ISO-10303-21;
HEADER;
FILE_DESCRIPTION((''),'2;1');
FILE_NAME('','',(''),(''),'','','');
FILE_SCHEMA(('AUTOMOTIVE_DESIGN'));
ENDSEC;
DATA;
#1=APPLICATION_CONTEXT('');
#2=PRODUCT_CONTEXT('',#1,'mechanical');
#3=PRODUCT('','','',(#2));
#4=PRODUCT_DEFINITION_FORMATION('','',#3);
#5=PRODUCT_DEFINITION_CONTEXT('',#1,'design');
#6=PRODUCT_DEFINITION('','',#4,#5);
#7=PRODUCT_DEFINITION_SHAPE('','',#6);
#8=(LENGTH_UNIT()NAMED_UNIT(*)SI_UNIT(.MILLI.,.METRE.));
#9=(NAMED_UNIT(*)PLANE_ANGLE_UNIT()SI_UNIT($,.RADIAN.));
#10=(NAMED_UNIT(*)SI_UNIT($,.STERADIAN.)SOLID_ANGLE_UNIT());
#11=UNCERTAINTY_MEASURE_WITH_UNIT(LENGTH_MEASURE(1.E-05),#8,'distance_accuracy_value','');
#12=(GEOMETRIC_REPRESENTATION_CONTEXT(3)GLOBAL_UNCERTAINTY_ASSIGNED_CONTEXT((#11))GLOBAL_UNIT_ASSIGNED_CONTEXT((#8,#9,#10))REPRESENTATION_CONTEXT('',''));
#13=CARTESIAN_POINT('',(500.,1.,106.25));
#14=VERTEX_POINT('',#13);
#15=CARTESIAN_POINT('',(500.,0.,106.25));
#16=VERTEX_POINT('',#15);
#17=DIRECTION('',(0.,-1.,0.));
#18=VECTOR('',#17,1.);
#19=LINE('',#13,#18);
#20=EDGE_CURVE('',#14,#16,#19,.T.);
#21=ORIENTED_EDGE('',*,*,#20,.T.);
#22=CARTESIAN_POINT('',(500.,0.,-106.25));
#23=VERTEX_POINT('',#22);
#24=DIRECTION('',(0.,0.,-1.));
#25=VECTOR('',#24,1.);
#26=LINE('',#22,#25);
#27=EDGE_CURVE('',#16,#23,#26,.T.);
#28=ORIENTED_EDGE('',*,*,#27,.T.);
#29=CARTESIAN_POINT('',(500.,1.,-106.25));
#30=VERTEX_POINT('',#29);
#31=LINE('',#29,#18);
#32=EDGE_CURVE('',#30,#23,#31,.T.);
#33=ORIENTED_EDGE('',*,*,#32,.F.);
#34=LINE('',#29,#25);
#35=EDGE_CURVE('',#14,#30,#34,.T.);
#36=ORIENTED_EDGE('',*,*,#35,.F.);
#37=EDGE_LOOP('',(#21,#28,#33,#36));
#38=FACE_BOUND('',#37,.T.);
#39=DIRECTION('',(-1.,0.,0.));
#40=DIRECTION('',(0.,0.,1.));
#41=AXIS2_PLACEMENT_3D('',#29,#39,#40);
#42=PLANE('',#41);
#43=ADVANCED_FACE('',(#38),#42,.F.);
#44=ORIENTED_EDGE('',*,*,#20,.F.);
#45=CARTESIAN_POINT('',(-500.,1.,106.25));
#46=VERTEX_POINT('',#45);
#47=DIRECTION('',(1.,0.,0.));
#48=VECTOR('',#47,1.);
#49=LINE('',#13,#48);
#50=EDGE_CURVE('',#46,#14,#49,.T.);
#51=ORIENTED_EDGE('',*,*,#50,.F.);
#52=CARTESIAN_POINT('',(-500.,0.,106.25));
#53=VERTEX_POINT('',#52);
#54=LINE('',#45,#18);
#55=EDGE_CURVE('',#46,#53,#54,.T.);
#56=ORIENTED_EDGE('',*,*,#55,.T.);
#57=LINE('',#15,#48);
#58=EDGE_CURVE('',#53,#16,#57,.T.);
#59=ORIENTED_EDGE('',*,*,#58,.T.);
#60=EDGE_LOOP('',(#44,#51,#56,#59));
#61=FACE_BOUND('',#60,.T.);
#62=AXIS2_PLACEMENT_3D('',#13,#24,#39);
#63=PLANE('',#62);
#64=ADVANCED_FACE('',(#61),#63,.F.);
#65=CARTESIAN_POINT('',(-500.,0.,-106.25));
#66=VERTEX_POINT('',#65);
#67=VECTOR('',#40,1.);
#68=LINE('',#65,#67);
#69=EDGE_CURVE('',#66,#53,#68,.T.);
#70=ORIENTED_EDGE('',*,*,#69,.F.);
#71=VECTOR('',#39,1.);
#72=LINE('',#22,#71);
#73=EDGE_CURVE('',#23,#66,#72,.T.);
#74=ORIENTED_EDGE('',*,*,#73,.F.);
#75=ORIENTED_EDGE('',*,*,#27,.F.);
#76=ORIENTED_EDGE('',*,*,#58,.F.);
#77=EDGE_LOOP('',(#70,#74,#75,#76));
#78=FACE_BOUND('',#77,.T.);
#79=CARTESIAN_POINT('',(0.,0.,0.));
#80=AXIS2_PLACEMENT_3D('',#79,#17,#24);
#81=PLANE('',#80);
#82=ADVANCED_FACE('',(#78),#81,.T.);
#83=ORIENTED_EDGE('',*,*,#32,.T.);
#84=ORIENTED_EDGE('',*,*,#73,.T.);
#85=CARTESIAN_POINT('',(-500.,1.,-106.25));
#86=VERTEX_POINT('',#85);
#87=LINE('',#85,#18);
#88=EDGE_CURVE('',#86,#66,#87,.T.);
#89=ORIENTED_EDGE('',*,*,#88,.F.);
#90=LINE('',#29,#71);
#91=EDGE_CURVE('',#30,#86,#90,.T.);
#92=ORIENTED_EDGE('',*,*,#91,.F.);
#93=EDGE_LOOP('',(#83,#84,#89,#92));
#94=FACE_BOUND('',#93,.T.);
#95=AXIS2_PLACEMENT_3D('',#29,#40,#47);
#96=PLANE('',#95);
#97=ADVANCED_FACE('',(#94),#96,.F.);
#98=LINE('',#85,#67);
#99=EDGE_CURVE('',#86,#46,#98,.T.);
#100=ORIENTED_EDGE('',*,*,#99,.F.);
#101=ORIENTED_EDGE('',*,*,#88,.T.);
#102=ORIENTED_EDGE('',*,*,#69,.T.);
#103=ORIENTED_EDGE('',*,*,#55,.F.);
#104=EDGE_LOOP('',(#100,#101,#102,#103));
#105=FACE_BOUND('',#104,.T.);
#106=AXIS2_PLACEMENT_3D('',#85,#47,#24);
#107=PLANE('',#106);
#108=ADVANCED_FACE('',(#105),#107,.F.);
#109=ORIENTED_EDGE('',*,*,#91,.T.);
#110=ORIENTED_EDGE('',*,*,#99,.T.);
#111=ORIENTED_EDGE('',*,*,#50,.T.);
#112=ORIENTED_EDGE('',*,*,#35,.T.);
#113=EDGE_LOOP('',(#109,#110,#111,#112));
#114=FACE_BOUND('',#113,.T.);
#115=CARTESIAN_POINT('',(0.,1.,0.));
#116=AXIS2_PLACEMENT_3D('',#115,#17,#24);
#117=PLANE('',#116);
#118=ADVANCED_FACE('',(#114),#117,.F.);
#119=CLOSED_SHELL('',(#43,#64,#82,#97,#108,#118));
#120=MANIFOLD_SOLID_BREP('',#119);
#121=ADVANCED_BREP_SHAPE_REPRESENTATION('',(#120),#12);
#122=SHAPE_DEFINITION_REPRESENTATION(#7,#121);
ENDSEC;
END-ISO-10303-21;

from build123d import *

# Parameters (mm, degrees)
SKETCH_1_W      = 1000
SKETCH_1_H      = 212.5
EXTRUDE_1_DEPTH = 1


with BuildPart() as part:
    # Эскиз1 → Бобышка-Вытянуть1 (new body)
    with BuildSketch(Plane(origin=(0, 0, 0), x_dir=(1, 0, 0), z_dir=(0, 1, 0))):
        Rectangle(SKETCH_1_W, SKETCH_1_H)
    extrude(amount=EXTRUDE_1_DEPTH)


solid = part.part
